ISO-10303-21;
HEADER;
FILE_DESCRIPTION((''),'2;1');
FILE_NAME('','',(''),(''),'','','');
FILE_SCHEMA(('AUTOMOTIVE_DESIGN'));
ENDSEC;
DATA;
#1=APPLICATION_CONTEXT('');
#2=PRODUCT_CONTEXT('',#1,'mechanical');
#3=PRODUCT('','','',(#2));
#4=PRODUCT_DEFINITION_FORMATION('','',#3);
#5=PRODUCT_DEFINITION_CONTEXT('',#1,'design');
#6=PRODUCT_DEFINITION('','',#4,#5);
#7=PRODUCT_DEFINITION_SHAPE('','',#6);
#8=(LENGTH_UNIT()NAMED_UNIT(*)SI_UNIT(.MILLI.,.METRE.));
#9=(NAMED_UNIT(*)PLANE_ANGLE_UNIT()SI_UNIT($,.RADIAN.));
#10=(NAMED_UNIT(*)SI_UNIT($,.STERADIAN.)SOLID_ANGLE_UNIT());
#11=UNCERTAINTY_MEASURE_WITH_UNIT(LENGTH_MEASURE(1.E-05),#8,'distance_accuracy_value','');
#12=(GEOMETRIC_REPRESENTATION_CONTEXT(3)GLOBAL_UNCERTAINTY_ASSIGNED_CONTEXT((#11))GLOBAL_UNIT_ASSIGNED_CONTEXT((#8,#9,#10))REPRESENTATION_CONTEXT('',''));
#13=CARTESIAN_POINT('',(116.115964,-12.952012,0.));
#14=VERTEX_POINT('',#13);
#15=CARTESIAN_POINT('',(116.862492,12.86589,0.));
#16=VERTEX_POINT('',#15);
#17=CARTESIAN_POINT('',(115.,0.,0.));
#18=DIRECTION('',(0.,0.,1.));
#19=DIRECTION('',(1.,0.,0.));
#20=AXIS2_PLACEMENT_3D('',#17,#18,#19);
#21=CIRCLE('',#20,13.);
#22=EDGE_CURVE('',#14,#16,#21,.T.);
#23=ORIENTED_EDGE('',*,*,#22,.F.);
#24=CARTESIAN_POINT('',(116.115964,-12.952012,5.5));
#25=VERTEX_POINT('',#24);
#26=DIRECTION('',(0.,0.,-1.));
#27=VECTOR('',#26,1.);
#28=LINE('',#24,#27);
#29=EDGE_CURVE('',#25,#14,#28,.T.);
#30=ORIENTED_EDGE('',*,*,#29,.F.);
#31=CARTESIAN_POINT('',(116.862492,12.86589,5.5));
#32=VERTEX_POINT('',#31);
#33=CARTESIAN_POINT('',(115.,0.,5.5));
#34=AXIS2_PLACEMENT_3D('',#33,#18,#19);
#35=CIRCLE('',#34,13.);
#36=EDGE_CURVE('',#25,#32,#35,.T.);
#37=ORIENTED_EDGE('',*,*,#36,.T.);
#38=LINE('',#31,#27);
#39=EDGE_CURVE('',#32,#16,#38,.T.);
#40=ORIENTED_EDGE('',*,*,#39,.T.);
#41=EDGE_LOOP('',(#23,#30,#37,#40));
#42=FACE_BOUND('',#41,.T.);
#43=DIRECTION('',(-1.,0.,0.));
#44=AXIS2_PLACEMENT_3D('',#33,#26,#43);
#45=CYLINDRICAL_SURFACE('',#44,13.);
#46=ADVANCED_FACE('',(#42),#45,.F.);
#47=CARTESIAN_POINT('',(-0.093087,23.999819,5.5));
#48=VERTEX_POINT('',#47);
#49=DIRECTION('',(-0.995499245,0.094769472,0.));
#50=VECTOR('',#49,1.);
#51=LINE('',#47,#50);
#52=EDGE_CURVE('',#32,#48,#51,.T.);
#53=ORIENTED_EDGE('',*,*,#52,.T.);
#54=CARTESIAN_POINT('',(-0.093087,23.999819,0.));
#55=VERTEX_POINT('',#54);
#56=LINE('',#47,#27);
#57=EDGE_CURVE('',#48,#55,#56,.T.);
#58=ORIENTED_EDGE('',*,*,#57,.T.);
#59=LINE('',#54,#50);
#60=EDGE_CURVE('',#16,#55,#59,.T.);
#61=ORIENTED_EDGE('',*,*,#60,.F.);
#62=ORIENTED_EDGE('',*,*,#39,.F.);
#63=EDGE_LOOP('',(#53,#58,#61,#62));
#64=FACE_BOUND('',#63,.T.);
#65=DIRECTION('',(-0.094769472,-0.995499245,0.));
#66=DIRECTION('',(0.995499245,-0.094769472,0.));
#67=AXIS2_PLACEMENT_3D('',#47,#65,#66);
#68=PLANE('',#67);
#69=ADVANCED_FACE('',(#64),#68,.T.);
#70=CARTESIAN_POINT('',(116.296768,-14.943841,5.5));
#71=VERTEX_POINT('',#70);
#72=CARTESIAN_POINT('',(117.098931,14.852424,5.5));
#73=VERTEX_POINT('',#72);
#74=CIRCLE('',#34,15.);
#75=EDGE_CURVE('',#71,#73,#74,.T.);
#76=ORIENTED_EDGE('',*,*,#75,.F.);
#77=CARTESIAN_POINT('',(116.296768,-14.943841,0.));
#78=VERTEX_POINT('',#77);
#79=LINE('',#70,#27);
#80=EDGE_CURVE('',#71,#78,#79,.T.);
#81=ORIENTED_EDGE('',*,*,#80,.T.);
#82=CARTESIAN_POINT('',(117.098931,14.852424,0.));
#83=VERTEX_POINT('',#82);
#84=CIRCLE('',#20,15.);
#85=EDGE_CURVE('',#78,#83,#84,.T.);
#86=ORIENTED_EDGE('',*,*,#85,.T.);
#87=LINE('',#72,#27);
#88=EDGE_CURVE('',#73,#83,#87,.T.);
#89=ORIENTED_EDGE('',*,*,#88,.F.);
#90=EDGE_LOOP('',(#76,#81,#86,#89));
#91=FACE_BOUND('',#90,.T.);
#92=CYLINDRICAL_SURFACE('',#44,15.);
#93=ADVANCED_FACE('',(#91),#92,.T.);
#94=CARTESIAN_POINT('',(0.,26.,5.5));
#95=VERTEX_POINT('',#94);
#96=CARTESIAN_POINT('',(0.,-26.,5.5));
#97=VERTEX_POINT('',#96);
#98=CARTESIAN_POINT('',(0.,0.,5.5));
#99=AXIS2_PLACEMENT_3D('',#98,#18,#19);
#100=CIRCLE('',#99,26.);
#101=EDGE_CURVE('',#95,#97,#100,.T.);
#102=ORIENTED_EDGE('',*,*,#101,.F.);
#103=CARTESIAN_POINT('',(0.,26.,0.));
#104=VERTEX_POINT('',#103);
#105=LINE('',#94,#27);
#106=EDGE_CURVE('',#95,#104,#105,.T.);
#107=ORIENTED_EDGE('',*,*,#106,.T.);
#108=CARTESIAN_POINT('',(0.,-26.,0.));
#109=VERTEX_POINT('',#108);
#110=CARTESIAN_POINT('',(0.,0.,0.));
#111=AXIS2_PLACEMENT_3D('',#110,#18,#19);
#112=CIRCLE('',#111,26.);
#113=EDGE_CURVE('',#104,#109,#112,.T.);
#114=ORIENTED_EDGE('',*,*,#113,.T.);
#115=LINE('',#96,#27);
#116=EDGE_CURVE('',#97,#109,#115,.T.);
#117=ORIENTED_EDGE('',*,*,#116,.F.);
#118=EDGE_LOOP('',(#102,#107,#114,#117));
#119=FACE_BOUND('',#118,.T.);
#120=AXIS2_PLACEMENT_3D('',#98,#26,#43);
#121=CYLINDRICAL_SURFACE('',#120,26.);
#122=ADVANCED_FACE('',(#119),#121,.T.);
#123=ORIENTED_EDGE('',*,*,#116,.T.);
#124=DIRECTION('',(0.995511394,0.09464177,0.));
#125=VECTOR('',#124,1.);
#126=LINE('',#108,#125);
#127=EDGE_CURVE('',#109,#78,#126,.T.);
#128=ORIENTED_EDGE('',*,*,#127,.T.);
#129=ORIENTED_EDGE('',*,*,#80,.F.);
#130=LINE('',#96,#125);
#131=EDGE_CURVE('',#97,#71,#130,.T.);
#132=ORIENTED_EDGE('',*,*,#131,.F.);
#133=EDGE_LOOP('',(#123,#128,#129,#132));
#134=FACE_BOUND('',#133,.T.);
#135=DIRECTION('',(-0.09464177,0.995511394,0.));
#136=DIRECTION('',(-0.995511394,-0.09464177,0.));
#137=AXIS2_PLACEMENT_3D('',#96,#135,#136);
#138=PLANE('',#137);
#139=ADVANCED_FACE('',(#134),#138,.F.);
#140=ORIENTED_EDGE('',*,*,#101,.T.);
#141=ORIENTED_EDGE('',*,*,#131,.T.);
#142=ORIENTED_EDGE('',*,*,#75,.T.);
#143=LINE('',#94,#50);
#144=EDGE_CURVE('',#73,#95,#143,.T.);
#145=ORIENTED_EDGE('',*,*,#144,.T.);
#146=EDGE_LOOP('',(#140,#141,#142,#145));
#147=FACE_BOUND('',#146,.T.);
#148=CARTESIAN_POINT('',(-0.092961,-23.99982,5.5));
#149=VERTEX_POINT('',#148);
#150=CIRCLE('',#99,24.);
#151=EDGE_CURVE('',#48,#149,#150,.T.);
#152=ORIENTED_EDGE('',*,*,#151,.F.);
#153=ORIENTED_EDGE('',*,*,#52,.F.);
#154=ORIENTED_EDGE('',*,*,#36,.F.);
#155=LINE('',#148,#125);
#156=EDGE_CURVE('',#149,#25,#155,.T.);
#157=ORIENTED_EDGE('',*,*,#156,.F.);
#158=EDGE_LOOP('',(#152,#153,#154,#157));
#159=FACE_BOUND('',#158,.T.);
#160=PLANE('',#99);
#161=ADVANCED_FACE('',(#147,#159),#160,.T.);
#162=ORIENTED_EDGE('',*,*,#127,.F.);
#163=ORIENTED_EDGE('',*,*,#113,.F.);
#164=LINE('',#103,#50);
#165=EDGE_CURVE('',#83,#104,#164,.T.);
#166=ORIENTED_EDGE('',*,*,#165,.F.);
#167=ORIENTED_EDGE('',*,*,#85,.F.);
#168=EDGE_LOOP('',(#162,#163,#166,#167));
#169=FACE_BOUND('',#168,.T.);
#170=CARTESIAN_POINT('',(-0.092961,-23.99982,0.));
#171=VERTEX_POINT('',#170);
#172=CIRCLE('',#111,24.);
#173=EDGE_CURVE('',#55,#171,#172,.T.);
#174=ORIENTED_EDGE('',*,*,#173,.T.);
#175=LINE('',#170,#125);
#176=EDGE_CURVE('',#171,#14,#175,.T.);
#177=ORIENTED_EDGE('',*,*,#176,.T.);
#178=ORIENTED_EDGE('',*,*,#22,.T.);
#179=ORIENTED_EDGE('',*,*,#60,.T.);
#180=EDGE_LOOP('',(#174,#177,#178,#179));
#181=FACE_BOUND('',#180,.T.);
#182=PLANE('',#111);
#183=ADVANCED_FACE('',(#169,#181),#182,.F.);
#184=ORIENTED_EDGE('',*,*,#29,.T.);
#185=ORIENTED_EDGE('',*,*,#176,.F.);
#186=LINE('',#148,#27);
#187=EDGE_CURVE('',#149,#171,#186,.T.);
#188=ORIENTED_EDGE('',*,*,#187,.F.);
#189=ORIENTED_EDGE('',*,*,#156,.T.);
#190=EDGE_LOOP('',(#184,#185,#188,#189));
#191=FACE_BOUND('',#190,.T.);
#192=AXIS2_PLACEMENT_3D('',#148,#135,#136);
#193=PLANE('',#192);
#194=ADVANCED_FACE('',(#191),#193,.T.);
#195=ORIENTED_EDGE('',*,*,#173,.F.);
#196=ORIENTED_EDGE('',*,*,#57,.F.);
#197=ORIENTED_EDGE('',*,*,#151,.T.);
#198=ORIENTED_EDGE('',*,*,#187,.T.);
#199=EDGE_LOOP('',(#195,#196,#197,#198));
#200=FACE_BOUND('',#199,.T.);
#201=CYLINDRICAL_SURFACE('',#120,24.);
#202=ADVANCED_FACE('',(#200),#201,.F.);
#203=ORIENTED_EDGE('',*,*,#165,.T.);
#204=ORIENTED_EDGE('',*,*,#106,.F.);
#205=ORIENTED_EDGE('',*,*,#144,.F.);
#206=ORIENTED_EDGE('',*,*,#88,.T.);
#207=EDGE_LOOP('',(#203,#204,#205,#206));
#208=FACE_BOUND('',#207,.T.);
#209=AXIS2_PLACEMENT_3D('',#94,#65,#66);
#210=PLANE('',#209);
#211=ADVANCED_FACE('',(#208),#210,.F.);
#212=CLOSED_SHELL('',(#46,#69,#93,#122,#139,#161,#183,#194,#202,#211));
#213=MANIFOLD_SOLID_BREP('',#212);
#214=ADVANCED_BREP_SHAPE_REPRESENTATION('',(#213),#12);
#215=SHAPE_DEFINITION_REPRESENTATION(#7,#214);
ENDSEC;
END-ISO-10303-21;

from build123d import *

# Parameters (mm, degrees)
BOSS_EXTRU_1_DEPTH = 5.5


with BuildPart() as part:
    # Esquisse1 → Boss.-Extru.1 (new body)
    with BuildSketch(Plane.XY):
        with BuildLine():
            Line((0, -26), (116.296767588, -14.943841334))
            ThreePointArc((116.296767588, -14.943841334), (129.994567149, -0.403678095), (117.098931421, 14.852423603))
            Line((117.098931421, 14.852423603), (0, 26))
            ThreePointArc((0, 26), (-26, 0), (0, -26))
        make_face()
        with BuildLine():
            Line((-0.092960895, -23.999819963), (116.115964374, -12.952012335))
            ThreePointArc((116.115964374, -12.952012335), (127.994568865, -0.375739288), (116.86249166, 12.865889974))
            Line((116.86249166, 12.865889974), (-0.093086907, 23.999819475))
            ThreePointArc((-0.093086907, 23.999819475), (-24, -6.3006e-05), (-0.092960895, -23.999819963))
        make_face(mode=Mode.SUBTRACT)
    extrude(amount=BOSS_EXTRU_1_DEPTH)


solid = part.part
